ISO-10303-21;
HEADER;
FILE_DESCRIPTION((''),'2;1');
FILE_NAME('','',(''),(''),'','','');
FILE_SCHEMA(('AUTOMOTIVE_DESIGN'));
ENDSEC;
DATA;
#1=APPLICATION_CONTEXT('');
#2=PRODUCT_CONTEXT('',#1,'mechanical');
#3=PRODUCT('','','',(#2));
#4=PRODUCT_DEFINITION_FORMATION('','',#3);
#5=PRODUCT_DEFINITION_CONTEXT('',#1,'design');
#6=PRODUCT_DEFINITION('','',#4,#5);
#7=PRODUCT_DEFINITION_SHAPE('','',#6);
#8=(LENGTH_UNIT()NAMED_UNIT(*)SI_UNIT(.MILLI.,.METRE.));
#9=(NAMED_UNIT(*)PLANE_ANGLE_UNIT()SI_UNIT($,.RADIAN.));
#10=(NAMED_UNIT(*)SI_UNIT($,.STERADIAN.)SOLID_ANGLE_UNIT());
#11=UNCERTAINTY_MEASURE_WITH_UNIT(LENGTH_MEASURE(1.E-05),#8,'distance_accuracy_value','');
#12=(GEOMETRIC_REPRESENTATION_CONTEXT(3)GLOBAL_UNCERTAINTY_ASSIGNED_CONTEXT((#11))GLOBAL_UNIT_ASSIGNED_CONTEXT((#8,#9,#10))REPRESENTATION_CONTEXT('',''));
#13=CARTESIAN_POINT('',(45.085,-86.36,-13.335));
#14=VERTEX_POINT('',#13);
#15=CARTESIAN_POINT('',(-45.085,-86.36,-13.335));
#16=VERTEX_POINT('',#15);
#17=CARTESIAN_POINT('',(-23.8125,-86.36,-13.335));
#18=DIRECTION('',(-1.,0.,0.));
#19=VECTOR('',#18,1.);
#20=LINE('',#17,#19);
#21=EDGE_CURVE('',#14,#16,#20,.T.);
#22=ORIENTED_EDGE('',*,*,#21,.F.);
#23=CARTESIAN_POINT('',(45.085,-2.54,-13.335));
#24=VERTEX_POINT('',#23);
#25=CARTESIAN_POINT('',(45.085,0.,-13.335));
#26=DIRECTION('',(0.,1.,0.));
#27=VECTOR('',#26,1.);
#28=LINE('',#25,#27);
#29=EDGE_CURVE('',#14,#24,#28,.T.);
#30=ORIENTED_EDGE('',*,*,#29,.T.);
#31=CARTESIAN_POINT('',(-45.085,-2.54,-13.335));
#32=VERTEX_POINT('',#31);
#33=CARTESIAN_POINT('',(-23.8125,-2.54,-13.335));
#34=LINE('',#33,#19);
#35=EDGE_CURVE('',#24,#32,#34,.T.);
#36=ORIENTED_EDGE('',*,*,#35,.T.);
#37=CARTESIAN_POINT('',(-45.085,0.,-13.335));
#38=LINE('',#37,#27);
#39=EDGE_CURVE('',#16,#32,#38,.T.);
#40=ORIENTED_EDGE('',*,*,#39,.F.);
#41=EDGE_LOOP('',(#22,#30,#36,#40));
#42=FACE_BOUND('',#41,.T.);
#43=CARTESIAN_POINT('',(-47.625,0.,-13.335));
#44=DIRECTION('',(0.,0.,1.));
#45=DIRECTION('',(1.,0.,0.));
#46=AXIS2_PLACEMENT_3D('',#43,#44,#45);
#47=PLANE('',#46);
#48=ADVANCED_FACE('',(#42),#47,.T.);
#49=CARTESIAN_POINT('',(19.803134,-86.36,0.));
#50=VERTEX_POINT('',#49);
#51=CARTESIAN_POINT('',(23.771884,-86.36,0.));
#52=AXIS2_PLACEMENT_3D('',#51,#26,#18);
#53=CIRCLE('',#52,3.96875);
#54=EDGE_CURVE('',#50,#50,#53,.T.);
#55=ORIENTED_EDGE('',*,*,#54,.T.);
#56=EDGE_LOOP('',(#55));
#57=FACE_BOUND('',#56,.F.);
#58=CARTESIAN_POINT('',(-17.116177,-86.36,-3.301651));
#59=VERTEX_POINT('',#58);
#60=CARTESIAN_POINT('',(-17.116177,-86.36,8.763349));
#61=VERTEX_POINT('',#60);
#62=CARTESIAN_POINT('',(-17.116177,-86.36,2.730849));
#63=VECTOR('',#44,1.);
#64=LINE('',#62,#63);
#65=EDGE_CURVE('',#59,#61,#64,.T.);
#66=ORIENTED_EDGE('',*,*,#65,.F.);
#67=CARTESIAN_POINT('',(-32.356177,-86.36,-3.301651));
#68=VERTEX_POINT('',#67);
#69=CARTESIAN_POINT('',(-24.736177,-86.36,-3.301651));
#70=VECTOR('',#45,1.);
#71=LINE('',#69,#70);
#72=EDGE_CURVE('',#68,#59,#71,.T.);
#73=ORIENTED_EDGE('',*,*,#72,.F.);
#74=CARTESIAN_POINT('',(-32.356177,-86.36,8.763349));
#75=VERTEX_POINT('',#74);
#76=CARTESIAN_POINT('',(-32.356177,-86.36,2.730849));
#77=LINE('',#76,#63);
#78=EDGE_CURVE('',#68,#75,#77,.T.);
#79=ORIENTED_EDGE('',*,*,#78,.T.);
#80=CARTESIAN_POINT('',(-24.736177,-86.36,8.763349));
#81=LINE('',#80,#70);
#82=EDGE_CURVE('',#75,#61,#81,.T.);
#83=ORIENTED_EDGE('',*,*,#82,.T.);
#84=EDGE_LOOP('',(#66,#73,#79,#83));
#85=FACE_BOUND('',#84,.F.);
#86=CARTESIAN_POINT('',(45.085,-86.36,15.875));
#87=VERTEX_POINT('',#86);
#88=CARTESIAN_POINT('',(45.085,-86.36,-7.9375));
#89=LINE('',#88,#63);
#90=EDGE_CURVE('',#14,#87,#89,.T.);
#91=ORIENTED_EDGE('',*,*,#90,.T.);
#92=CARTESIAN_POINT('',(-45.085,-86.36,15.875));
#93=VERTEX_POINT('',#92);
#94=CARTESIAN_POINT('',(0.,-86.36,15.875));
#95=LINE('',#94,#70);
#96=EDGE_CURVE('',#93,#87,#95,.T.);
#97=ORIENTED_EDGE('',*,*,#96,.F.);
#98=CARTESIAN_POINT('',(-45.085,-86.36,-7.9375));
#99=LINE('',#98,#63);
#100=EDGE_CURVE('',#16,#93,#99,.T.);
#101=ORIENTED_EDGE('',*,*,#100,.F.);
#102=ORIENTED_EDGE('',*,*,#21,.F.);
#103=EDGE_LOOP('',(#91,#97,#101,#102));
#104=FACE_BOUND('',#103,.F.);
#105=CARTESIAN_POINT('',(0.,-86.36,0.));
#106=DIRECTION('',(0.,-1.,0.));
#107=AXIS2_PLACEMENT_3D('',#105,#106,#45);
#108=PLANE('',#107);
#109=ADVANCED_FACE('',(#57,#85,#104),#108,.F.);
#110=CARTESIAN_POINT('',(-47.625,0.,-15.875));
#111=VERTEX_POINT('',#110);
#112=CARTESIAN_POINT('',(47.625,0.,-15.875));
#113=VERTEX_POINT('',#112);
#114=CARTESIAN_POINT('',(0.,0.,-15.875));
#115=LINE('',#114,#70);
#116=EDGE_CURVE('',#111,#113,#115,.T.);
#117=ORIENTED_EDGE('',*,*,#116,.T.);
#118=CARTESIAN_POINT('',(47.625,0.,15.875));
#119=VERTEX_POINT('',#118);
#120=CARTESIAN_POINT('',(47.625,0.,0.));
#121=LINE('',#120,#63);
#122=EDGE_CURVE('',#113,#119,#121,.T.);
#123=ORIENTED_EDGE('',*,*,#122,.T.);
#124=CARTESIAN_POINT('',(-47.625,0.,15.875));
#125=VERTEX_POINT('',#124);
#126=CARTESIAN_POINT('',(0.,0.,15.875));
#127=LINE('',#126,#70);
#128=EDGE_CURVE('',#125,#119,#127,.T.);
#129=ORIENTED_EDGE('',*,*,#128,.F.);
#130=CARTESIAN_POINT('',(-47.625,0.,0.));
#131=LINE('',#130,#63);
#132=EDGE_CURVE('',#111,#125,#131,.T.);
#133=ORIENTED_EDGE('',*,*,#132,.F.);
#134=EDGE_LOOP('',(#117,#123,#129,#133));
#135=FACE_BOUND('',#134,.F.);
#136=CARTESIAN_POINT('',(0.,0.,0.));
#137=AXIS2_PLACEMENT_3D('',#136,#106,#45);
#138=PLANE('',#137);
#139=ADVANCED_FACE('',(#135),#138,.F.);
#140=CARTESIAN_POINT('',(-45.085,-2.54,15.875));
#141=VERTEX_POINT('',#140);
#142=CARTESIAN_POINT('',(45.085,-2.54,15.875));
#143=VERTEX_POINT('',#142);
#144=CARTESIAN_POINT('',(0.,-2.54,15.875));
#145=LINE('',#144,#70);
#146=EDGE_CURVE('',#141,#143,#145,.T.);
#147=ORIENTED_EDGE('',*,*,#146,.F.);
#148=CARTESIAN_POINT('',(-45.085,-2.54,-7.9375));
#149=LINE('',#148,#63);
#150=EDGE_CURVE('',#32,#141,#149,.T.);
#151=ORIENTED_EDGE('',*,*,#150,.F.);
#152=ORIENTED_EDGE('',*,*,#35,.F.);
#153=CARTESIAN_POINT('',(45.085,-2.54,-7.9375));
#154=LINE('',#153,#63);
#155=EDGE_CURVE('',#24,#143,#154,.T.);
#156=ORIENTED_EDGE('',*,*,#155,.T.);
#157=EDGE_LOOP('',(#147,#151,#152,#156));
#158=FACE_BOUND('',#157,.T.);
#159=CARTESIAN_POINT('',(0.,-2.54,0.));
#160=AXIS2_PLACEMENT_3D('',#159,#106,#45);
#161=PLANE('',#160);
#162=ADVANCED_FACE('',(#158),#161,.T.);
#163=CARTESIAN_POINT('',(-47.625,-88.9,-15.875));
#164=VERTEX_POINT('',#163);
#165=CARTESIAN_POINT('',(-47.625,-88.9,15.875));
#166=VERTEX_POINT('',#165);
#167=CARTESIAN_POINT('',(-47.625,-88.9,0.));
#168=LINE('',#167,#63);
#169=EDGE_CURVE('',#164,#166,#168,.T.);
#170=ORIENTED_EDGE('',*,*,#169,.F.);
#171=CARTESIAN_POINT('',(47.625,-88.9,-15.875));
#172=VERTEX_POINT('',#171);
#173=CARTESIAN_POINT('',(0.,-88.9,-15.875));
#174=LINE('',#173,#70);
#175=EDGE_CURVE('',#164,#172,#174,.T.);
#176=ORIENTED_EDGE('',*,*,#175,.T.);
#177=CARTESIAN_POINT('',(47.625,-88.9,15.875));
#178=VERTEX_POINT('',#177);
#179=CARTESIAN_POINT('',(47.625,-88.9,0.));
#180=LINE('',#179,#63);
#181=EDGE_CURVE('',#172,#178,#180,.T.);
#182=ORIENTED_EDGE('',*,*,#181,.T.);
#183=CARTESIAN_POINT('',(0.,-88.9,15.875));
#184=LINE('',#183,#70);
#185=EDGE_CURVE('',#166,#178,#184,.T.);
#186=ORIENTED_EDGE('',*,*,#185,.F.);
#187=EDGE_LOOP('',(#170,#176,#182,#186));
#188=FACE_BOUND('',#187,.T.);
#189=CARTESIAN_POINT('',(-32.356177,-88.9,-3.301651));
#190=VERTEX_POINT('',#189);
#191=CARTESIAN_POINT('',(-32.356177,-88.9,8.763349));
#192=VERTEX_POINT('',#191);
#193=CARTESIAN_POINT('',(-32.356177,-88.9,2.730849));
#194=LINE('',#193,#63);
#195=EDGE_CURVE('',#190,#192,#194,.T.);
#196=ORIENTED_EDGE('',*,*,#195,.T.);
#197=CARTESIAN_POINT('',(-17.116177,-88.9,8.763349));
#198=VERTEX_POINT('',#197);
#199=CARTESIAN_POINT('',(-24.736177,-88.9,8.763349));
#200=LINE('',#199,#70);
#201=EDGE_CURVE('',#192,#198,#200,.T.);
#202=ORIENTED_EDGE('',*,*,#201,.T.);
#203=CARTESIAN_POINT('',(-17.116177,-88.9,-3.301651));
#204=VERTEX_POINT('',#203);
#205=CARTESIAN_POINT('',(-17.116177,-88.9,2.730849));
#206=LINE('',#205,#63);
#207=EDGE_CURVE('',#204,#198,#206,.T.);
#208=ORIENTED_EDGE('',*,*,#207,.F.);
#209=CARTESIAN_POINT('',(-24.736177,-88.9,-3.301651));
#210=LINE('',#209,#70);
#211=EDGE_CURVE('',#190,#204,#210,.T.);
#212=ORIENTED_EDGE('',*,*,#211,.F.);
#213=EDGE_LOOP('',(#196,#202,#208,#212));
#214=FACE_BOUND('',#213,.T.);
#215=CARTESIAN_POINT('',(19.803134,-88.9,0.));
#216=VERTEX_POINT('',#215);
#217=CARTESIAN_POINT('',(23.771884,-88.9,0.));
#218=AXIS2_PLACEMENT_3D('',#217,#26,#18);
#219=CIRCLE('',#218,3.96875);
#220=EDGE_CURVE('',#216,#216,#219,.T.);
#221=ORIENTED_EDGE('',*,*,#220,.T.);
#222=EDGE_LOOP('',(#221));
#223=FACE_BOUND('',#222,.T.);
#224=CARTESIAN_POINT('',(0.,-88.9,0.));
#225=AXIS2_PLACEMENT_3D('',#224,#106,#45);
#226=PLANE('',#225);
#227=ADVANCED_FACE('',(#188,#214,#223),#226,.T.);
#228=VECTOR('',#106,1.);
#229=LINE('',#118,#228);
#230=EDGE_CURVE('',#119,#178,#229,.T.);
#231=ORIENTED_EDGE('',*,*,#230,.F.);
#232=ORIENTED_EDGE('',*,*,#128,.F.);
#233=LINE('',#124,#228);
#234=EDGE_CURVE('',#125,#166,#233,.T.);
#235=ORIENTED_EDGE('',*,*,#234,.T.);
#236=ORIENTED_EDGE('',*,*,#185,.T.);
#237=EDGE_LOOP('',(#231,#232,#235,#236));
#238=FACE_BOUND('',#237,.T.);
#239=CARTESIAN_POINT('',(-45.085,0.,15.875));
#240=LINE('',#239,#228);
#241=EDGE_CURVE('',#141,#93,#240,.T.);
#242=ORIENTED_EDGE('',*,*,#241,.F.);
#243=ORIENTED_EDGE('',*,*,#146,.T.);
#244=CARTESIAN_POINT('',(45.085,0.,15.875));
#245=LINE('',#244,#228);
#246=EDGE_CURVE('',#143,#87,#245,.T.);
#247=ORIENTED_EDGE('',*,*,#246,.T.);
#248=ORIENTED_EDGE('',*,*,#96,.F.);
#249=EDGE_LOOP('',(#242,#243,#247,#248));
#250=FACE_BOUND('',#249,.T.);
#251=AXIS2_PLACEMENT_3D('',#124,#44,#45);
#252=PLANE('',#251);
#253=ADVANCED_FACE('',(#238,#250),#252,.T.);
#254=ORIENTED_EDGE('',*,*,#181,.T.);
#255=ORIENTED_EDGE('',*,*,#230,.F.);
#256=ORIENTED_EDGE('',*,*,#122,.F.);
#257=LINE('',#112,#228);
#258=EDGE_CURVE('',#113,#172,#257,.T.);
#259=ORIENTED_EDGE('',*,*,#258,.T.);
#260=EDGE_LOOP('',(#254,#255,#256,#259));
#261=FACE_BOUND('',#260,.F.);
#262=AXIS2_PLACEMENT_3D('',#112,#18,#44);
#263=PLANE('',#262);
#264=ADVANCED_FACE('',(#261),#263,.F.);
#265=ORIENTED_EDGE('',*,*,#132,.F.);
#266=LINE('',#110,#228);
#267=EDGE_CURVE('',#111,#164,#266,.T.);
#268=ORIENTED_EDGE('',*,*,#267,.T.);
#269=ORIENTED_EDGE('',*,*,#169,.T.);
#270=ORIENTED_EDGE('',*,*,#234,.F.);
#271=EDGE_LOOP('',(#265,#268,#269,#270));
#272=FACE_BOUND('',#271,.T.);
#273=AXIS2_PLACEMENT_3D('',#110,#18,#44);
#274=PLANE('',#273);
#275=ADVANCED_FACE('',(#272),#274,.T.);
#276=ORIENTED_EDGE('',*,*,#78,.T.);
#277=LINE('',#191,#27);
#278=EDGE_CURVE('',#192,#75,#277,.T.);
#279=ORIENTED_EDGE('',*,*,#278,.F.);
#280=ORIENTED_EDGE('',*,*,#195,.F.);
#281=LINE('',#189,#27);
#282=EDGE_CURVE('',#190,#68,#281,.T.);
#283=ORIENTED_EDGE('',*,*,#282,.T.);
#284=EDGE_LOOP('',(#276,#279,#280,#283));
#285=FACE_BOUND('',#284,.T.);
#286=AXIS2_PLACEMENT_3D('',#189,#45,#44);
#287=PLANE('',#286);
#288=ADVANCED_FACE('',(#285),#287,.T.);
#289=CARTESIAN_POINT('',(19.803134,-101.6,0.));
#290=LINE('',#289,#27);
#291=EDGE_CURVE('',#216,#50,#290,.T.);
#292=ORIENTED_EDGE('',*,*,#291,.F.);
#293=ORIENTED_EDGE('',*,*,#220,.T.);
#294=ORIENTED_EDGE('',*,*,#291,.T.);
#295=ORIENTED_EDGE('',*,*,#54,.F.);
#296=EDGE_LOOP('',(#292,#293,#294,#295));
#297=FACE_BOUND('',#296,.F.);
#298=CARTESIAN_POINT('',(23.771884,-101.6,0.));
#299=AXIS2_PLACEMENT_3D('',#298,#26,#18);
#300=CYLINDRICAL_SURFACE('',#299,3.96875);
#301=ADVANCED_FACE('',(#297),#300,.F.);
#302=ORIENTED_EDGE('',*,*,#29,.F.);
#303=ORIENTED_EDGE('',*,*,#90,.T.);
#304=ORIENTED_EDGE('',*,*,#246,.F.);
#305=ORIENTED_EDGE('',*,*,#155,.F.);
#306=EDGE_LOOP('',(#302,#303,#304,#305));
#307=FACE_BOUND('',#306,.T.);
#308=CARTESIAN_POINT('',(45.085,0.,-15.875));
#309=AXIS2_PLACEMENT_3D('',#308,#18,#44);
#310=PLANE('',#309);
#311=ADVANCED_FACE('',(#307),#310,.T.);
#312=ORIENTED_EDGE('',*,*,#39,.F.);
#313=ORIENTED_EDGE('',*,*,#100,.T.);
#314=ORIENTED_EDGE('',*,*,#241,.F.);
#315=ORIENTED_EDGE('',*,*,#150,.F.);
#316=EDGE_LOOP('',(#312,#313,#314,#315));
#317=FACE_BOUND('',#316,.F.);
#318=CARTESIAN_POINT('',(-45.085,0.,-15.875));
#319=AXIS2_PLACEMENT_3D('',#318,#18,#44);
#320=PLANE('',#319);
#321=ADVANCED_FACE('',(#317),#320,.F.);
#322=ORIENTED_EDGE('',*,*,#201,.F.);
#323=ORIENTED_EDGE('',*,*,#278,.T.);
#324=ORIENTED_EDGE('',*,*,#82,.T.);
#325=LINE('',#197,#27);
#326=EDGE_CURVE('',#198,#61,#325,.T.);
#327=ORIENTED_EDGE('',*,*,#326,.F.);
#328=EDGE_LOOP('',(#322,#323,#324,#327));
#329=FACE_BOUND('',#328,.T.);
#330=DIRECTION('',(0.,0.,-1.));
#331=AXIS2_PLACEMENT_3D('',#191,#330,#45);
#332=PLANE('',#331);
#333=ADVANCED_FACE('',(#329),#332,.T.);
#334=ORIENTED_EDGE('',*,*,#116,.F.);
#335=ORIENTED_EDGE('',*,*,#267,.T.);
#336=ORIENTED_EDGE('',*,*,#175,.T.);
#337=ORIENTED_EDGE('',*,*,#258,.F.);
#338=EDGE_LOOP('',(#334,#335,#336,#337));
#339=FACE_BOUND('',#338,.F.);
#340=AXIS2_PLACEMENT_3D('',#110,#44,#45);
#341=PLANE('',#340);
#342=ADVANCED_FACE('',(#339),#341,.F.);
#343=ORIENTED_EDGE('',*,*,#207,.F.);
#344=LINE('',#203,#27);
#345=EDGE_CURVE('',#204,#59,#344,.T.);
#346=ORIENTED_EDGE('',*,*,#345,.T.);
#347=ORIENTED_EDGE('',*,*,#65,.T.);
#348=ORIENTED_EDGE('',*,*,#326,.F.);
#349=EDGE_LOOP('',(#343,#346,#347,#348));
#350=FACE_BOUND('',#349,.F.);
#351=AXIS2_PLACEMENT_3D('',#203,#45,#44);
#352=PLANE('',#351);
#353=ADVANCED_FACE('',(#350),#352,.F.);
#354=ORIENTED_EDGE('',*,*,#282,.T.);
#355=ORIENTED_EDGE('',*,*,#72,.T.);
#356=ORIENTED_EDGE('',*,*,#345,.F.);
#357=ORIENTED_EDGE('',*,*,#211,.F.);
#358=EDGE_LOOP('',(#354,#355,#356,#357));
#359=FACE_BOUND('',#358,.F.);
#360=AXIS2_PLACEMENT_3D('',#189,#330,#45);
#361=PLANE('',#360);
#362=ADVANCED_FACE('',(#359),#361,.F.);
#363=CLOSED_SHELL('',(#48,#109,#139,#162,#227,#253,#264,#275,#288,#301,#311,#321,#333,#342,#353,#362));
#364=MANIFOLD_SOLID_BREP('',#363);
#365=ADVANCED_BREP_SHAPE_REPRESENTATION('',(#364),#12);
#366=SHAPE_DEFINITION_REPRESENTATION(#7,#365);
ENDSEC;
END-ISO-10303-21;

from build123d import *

# Parameters (mm, degrees)
F0_W     = 95.25
F0_H     = 31.75
F1_DEPTH = 88.9
F2_T     = -2.54
F4_D     = 7.9375
F4_DEPTH = 12.7
F5_W     = 15.24
F5_H     = 12.065
F6_DEPTH = 2.54


with BuildPart() as f1:
    # F0 (on Front) → F1 (new body)
    with BuildSketch(Plane.XZ):
        Rectangle(F0_W, F0_H)
    extrude(amount=F1_DEPTH)

    # F2
    f2_openings = [f1.faces().sort_by_distance(p)[0] for p in [
        (0, -44.45, 15.875),
    ]]
    offset(amount=F2_T, openings=f2_openings)

    # F4
    with Locations(Plane.XZ.offset(88.9)):
        with Locations((23.771884, 0)):
            Hole(F4_D / 2, depth=F4_DEPTH)

    # F5 (on face) → F6 (cut, through all)
    with BuildSketch(Plane.XZ.offset(88.9)):
        with Locations((-24.736177, 2.730849)):
            Rectangle(F5_W, F5_H)
    extrude(amount=-F6_DEPTH, mode=Mode.SUBTRACT)


solid = f1.part
